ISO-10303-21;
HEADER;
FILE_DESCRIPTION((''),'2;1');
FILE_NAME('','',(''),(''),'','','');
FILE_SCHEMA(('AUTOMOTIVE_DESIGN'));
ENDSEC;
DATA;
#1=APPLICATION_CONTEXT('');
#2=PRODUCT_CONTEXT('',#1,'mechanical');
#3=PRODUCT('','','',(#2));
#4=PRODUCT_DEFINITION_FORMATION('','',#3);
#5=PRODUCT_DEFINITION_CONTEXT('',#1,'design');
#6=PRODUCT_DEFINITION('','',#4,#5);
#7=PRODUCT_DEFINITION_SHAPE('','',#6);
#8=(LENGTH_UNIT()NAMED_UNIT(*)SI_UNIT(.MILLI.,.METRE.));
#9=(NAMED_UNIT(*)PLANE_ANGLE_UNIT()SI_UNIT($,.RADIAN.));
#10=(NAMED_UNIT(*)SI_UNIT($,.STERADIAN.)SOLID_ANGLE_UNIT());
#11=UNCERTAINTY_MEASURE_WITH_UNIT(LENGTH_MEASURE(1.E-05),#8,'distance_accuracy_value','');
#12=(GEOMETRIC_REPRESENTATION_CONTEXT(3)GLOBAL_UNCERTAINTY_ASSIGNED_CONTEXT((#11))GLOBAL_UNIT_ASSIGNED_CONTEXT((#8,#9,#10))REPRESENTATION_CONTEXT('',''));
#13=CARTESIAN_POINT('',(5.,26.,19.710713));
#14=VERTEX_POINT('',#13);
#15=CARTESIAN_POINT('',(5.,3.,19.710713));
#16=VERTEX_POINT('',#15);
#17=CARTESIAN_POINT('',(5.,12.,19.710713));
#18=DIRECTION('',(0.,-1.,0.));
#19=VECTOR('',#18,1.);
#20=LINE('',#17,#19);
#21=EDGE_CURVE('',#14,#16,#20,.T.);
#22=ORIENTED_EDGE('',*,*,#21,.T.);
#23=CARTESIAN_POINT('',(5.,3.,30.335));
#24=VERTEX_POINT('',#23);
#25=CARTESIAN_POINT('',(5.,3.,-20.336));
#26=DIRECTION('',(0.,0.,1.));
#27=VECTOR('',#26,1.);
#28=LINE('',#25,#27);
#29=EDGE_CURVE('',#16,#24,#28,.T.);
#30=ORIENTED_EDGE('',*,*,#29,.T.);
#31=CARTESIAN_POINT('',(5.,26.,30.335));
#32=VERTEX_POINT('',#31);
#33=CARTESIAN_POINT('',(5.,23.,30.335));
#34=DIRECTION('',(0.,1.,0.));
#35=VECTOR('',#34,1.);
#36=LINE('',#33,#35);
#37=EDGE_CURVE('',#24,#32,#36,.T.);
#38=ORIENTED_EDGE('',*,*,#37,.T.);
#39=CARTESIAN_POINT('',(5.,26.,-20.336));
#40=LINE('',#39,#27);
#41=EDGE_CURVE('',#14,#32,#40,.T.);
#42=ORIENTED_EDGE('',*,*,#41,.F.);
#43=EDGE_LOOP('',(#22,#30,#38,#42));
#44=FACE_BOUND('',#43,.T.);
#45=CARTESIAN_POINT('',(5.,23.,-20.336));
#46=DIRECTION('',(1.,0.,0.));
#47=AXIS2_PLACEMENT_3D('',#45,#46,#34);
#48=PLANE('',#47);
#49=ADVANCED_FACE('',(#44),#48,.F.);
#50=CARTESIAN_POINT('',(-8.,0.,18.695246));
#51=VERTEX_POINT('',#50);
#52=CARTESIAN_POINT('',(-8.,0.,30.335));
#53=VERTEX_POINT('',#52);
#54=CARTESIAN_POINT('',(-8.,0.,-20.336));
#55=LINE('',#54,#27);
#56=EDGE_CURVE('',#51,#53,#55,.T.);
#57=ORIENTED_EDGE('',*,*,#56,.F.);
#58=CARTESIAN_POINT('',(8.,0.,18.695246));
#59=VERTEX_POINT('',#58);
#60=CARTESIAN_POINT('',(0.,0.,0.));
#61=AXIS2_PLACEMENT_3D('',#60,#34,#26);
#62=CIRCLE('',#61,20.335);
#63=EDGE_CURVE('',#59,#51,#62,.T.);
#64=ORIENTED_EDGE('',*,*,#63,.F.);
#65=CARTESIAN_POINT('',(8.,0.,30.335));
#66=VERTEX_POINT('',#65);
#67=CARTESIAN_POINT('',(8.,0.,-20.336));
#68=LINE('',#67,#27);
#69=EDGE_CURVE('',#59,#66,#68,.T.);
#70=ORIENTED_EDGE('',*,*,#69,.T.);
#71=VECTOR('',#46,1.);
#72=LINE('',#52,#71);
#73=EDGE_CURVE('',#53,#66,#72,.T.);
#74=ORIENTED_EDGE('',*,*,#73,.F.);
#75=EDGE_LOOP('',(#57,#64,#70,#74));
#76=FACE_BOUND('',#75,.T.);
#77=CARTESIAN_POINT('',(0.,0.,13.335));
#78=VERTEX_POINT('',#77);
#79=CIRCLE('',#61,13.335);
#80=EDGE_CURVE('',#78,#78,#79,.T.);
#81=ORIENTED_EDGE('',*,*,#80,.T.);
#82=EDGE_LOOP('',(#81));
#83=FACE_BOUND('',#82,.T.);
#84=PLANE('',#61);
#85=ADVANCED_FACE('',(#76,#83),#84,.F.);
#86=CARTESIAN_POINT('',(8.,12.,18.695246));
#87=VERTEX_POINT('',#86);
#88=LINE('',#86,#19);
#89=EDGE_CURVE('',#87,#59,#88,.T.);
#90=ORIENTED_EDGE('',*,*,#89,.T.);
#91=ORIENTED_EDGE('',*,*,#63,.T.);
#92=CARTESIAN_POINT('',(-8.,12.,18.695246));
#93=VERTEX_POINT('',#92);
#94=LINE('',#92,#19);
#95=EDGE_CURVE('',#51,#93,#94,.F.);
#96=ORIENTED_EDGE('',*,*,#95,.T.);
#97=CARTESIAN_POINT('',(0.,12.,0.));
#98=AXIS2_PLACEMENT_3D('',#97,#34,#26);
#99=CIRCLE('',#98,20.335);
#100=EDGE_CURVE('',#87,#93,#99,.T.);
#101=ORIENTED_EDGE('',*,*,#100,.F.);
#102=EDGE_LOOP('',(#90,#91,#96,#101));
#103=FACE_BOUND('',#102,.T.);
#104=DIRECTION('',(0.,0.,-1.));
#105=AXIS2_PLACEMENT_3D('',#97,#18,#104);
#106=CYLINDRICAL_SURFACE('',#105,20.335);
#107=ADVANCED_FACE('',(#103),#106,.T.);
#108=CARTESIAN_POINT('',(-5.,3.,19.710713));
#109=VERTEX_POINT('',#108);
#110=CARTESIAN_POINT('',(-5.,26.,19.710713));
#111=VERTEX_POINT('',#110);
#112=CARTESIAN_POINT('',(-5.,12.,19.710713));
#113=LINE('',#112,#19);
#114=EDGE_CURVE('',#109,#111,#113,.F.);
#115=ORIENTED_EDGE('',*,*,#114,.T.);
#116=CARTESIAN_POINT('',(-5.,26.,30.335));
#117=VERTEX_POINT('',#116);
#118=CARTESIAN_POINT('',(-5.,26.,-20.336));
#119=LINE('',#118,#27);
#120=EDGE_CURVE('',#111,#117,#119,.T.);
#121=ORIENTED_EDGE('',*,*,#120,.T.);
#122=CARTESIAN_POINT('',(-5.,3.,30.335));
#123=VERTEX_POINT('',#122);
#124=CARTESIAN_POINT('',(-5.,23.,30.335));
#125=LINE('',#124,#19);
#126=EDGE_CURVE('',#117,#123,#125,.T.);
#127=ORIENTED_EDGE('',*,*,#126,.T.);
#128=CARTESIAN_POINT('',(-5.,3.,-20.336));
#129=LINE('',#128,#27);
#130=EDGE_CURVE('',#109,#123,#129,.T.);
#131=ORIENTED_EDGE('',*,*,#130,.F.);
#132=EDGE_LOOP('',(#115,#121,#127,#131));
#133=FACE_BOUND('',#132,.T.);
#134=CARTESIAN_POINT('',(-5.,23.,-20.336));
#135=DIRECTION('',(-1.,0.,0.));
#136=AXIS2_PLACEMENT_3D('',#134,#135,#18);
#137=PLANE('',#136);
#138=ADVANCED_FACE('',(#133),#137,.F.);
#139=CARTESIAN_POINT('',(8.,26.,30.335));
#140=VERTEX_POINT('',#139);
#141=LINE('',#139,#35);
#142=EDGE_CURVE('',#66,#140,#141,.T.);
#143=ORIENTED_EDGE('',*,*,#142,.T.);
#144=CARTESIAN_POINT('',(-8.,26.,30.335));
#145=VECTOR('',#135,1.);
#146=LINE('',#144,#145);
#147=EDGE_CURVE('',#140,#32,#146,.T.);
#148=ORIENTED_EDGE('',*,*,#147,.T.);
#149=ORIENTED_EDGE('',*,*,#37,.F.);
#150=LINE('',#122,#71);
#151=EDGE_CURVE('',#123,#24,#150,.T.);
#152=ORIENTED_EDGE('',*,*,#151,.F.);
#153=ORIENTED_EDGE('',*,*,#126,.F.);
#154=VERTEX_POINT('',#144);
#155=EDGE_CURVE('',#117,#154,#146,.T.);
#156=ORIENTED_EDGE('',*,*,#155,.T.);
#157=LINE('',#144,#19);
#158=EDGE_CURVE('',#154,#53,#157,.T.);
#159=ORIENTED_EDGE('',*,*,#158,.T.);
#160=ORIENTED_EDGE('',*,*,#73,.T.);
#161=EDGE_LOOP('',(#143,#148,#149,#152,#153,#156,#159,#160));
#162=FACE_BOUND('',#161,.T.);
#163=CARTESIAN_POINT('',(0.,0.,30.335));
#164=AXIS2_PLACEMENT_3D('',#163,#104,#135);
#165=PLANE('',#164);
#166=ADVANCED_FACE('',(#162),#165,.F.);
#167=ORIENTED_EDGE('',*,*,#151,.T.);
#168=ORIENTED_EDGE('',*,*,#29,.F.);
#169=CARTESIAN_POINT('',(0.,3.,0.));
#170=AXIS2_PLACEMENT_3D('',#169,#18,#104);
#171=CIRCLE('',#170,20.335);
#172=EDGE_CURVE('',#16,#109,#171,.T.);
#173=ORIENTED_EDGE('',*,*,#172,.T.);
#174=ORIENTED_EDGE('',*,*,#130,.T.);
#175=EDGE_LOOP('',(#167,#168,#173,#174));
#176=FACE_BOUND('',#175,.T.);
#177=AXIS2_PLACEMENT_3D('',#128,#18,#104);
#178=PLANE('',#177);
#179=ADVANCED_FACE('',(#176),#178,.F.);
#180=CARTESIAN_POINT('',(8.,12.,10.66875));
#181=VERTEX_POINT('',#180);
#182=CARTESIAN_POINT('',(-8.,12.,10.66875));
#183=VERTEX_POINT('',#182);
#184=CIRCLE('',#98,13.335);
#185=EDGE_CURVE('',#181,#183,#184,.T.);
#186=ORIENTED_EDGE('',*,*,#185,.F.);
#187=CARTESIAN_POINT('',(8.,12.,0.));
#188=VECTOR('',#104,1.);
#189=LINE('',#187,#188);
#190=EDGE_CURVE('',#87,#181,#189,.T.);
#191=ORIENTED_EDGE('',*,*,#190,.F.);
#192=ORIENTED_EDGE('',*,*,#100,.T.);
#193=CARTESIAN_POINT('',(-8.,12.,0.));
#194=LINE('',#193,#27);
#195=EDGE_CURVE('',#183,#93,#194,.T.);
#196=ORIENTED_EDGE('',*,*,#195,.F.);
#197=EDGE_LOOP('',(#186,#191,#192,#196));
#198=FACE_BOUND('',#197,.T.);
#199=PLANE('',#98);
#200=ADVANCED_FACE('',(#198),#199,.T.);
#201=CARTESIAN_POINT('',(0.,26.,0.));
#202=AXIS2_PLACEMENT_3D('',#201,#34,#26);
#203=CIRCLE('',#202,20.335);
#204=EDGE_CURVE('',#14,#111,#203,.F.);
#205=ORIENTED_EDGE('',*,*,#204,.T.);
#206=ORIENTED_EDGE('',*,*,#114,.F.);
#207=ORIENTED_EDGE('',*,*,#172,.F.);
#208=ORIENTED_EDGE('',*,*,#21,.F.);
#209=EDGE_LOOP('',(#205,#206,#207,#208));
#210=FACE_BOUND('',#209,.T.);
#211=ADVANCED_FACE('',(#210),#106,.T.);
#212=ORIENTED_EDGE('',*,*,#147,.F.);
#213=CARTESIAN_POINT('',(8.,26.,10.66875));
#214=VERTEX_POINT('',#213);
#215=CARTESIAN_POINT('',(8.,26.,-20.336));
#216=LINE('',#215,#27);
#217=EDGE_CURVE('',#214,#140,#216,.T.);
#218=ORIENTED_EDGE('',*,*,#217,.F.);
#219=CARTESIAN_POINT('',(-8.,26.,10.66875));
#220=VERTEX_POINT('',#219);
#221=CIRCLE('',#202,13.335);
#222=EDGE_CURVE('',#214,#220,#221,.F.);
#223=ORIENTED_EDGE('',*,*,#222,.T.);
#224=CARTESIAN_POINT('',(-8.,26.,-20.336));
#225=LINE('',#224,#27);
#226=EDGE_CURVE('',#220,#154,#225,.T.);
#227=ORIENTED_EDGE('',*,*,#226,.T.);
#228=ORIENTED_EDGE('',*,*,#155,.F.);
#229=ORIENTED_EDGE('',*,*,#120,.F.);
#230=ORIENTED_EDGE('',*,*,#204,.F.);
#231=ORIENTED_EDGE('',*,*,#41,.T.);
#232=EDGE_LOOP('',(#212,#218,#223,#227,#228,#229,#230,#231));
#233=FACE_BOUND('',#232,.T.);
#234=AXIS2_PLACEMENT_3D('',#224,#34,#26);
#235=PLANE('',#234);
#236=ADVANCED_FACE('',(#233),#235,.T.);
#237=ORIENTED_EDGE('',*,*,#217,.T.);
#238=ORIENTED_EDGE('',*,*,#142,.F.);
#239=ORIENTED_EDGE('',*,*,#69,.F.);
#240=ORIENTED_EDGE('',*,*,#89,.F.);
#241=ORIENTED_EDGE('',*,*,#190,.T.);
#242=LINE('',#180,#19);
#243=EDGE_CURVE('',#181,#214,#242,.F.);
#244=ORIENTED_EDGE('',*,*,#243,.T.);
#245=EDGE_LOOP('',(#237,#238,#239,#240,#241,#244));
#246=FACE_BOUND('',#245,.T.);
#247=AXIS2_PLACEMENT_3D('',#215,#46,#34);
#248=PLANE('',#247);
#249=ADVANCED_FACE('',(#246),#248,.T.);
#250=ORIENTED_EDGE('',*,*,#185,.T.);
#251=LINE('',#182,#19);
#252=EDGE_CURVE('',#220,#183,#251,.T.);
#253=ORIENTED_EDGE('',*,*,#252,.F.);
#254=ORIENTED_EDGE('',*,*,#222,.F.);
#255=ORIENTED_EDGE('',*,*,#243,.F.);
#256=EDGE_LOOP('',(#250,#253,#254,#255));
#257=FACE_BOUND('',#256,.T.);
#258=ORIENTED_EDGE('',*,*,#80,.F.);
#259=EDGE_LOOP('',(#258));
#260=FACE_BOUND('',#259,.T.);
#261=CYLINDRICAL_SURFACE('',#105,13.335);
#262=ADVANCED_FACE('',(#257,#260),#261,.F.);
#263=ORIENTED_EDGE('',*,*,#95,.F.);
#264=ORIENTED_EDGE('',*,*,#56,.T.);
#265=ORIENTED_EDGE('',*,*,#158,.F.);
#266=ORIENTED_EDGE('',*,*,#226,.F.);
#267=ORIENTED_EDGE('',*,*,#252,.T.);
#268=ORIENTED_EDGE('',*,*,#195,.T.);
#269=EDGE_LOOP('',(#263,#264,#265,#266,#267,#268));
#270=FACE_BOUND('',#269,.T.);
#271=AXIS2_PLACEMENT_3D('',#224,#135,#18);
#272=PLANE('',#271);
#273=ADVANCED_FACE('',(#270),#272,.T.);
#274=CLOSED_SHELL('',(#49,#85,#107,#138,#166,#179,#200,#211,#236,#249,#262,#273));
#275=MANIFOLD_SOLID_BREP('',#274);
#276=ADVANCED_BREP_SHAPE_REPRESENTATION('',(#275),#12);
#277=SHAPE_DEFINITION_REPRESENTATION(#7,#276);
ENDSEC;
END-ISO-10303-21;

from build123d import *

# Parameters (mm, degrees)
SKETCH1_R                            = 20.334999999999997
SKETCH1_R_2                          = 13.334999999999999
BOSS_EXTRUDE1_DEPTH                  = 12
BOSS_EXTRUDE2_DEPTH                  = 10
BOSS_EXTRUDE2_DIRECTION_2_REACH      = 49.027
BOSS_EXTRUDE2_DIRECTION_2_END_RADIUS = 13.334999999999999
CUT_EXTRUDE1_REACH                   = 62.473
CUT_EXTRUDE1_END_RADIUS              = 20.334999999999997
BOSS_EXTRUDE3_DEPTH                  = 11


with BuildPart() as part:
    # Sketch1 → Boss-Extrude1 (new body)
    with BuildSketch(Plane(origin=(0, 0, 0), x_dir=(1, 0, 0), z_dir=(0, 1, 0))):
        with Locations(Location((0, 0, 0), (0, 0, 270))):
            Circle(SKETCH1_R)
        with Locations(Location((0, 0, 0), (0, 0, 270))):
            Circle(SKETCH1_R_2, mode=Mode.SUBTRACT)
    extrude(amount=BOSS_EXTRUDE1_DEPTH)

    # Sketch2 → Boss-Extrude2 (add)
    with BuildSketch(Plane.XY.offset(20.334999999999997)):
        Polygon((-8, 26.000000000000004), (-7.9999999999999964, 0), (8.000000000000004, 0), (8, 26.000000000000004), align=None)
        Polygon((-5.000000000000001, 23.000000000000004), (5, 23.000000000000004), (4.999999999999998, 3), (-4.999999999999998, 3), align=None, mode=Mode.SUBTRACT)
    extrude(amount=BOSS_EXTRUDE2_DEPTH)

    # Boss-Extrude2 direction 2: up to this cylinder (the profile starts outside it)
    boss_extrude2_direction_2_end = Plane(origin=(0, 13, 0), z_dir=(0, -1, 0)) * Cylinder(BOSS_EXTRUDE2_DIRECTION_2_END_RADIUS, 125.724, mode=Mode.PRIVATE)
    # Sketch2 → Boss-Extrude2 direction 2 (add, up to the surface)
    with BuildSketch(Plane.XY.offset(20.334999999999997), mode=Mode.PRIVATE) as boss_extrude2_direction_2_sk1:
        Polygon((-8, 26.000000000000004), (-7.9999999999999964, 0), (8.000000000000004, 0), (8, 26.000000000000004), align=None)
        Polygon((-5.000000000000001, 23.000000000000004), (5, 23.000000000000004), (4.999999999999998, 3), (-4.999999999999998, 3), align=None, mode=Mode.SUBTRACT)
    boss_extrude2_direction_2_tool1 = extrude(boss_extrude2_direction_2_sk1.sketch, amount=-BOSS_EXTRUDE2_DIRECTION_2_REACH, mode=Mode.PRIVATE) - boss_extrude2_direction_2_end
    add(boss_extrude2_direction_2_tool1.solids().sort_by_distance((-7.694713, 13, 20.335))[0])

    # Cut-Extrude1: up to this cylinder (the profile starts outside it)
    cut_extrude1_end = Plane(origin=(0, 24.5, 0), z_dir=(0, -1, 0)) * Cylinder(CUT_EXTRUDE1_END_RADIUS, 166.61599999999999, mode=Mode.PRIVATE)
    # Sketch3 → Cut-Extrude1 (cut, up to the surface)
    with BuildSketch(Plane.XY.offset(30.335), mode=Mode.PRIVATE) as cut_extrude1_sk1:
        Polygon((-5.000000000000002, 26.000000000000004), (4.999999999999997, 26.000000000000004), (4.999999999999997, 23.000000000000004), (-5.000000000000001, 23.000000000000004), align=None)
    cut_extrude1_tool1 = extrude(cut_extrude1_sk1.sketch, amount=-CUT_EXTRUDE1_REACH, mode=Mode.PRIVATE) - cut_extrude1_end
    add(cut_extrude1_tool1.solids().sort_by_distance((0, 24.5, 30.335))[0], mode=Mode.SUBTRACT)

    # Sketch4 → Boss-Extrude3 (add)
    with BuildSketch(Plane(origin=(0, 12, 0), x_dir=(1, 0, 0), z_dir=(0, 1, 0))):
        with BuildLine():
            Line((4.999999999999998, -19.710713457406865), (4.9999999999999964, -12.362128659741414))
            ThreePointArc((4.9999999999999964, -12.362128659741414), (-2.14e-15, -13.335), (-5.000000000000001, -12.362128659741412))
            Line((-5.000000000000001, -12.362128659741412), (-5.000000000000008, -19.710713457406865))
            ThreePointArc((-5.000000000000008, -19.710713457406865), (-7.79e-15, -20.335000000000004), (4.999999999999998, -19.710713457406865))
        make_face()
    extrude(amount=BOSS_EXTRUDE3_DEPTH)


solid = part.part
